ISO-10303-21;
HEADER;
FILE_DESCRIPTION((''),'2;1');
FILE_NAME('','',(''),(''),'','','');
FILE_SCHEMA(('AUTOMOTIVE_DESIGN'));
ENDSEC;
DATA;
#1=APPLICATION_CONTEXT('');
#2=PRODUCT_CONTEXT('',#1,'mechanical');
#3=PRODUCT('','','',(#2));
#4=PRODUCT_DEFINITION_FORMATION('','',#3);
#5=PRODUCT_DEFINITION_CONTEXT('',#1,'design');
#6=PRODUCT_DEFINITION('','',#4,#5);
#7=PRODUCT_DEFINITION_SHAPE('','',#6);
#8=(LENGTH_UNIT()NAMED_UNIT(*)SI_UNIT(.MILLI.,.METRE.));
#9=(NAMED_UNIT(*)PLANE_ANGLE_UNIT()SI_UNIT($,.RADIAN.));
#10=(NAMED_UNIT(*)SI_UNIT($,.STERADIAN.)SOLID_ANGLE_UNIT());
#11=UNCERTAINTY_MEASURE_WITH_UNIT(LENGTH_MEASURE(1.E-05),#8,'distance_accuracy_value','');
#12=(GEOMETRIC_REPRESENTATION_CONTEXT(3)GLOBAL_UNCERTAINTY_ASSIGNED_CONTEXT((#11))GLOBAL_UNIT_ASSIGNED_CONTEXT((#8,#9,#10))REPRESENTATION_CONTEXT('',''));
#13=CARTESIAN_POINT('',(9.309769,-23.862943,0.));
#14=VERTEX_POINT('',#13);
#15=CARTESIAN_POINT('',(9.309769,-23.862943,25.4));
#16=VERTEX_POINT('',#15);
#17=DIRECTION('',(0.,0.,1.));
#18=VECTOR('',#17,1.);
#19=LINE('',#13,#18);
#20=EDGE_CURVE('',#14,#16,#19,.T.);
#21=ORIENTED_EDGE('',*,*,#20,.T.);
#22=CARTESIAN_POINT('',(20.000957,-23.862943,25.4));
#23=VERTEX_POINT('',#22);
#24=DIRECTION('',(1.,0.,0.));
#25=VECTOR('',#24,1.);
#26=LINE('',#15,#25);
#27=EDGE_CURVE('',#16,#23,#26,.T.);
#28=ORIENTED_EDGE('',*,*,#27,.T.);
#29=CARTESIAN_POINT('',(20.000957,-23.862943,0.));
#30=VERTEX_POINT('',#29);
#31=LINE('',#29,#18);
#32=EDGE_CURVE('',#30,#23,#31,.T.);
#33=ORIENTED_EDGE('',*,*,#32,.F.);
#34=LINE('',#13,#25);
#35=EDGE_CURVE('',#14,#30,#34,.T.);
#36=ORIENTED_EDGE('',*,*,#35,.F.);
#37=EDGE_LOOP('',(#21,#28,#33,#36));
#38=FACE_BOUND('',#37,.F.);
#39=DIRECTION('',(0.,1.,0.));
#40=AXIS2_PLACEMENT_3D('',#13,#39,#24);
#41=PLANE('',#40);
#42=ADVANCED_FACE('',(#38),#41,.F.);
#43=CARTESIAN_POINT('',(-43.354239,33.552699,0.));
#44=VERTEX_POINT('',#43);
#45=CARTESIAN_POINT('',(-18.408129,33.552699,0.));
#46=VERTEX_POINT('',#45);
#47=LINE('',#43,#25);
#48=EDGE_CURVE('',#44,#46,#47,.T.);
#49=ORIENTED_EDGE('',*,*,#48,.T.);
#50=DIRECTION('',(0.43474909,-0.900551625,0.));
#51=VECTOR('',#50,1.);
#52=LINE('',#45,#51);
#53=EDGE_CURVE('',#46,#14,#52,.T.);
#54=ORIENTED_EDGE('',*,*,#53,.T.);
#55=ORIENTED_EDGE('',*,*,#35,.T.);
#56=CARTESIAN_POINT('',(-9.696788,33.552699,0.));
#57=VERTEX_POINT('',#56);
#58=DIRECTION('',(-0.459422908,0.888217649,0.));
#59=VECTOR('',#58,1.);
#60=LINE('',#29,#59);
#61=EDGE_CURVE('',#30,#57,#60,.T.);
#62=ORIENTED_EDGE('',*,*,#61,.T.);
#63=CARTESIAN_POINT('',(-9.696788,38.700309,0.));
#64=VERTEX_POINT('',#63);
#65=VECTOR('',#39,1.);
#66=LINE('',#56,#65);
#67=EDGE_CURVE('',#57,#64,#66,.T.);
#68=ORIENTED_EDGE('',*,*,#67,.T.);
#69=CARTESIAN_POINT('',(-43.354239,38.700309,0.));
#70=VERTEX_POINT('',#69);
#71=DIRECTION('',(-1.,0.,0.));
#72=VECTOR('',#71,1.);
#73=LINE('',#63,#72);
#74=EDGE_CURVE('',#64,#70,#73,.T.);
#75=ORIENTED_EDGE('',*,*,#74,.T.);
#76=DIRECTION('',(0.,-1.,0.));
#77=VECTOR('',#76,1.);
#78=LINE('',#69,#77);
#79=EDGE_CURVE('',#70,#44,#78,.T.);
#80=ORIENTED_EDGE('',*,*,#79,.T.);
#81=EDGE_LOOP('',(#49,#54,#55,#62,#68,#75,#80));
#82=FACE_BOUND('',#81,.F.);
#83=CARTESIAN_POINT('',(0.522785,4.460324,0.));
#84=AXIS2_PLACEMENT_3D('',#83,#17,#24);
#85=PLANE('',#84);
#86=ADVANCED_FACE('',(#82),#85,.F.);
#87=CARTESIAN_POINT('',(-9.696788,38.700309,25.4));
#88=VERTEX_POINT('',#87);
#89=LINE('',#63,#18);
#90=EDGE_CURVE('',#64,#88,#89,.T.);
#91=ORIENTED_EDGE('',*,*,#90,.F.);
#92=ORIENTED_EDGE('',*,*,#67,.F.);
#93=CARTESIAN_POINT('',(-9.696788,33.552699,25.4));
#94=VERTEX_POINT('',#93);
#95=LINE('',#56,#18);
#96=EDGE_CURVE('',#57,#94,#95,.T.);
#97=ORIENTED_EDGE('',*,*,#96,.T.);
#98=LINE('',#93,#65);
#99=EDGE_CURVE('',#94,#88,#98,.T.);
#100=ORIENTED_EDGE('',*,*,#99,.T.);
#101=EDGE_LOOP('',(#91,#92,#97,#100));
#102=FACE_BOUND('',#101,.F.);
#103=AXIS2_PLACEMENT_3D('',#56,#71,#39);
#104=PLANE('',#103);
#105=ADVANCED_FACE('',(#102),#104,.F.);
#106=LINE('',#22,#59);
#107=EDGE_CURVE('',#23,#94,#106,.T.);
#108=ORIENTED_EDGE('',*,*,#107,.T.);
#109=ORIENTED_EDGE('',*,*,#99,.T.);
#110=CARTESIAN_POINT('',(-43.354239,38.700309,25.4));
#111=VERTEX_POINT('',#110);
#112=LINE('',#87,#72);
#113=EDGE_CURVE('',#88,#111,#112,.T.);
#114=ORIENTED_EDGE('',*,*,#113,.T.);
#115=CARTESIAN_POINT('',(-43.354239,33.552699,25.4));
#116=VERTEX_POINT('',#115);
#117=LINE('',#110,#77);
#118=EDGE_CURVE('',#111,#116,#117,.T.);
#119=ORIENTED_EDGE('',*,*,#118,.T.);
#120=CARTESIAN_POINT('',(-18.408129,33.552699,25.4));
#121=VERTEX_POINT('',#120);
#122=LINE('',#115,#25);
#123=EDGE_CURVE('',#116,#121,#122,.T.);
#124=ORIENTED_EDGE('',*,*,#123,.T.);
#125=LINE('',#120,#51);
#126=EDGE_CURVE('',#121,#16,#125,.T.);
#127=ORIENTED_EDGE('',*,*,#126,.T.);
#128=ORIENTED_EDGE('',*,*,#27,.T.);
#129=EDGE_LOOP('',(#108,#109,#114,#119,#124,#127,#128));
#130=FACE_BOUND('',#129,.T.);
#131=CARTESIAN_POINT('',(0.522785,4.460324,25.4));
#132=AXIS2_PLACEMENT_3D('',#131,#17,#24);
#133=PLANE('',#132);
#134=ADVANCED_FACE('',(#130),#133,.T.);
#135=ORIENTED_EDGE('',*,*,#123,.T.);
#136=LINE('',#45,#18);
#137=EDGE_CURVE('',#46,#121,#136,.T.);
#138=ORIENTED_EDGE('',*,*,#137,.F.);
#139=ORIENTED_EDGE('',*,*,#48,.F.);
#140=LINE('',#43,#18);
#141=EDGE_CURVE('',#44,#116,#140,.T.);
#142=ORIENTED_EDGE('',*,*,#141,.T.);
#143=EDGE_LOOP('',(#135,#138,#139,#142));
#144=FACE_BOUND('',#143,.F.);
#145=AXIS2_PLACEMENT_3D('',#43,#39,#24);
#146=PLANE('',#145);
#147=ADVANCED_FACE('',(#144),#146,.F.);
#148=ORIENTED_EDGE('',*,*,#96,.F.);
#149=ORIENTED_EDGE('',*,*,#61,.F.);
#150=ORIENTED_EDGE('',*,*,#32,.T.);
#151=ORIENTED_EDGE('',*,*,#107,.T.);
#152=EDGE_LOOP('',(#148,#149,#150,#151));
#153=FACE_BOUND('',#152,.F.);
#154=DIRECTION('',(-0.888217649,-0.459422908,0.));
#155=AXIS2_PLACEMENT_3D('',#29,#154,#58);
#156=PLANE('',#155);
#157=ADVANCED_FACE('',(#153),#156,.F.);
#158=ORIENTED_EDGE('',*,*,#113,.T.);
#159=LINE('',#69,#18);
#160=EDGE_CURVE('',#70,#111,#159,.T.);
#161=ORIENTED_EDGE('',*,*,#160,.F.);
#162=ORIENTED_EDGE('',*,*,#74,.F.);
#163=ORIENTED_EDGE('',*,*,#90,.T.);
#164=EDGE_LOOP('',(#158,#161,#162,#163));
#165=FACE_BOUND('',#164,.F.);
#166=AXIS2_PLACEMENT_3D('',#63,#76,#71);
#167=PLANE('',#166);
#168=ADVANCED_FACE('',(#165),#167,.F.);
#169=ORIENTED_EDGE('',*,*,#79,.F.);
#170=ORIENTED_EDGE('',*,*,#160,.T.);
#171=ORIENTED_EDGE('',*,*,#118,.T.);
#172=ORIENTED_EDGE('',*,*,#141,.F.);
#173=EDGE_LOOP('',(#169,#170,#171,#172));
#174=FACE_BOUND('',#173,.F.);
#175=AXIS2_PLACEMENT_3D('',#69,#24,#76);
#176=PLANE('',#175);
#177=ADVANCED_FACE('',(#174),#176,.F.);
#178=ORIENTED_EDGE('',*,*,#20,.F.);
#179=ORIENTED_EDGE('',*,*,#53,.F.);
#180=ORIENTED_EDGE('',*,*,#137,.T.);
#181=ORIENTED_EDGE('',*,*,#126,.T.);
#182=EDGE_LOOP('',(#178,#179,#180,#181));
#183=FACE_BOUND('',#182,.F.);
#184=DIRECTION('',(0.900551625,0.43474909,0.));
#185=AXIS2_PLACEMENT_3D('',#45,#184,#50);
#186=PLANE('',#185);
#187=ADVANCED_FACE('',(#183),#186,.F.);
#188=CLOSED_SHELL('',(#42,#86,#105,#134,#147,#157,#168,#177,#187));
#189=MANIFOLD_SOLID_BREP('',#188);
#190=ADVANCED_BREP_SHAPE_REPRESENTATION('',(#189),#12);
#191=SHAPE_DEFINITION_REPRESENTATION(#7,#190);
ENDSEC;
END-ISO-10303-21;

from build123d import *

# Parameters (mm, degrees)
F1_DEPTH = 25.4


with BuildPart() as f1:
    # F0 (on Top) → F1 (new body)
    with BuildSketch(Plane.XY):
        Polygon((-18.408129, 33.552699), (9.309769, -23.862943), (20.000957, -23.862943), (-9.696788, 33.552699), align=None)
        Polygon((-43.354239, 33.552699), (-18.408129, 33.552699), (-9.696788, 33.552699), (-9.696788, 38.700309), (-43.354239, 38.700309), align=None)
    extrude(amount=F1_DEPTH)


solid = f1.part
